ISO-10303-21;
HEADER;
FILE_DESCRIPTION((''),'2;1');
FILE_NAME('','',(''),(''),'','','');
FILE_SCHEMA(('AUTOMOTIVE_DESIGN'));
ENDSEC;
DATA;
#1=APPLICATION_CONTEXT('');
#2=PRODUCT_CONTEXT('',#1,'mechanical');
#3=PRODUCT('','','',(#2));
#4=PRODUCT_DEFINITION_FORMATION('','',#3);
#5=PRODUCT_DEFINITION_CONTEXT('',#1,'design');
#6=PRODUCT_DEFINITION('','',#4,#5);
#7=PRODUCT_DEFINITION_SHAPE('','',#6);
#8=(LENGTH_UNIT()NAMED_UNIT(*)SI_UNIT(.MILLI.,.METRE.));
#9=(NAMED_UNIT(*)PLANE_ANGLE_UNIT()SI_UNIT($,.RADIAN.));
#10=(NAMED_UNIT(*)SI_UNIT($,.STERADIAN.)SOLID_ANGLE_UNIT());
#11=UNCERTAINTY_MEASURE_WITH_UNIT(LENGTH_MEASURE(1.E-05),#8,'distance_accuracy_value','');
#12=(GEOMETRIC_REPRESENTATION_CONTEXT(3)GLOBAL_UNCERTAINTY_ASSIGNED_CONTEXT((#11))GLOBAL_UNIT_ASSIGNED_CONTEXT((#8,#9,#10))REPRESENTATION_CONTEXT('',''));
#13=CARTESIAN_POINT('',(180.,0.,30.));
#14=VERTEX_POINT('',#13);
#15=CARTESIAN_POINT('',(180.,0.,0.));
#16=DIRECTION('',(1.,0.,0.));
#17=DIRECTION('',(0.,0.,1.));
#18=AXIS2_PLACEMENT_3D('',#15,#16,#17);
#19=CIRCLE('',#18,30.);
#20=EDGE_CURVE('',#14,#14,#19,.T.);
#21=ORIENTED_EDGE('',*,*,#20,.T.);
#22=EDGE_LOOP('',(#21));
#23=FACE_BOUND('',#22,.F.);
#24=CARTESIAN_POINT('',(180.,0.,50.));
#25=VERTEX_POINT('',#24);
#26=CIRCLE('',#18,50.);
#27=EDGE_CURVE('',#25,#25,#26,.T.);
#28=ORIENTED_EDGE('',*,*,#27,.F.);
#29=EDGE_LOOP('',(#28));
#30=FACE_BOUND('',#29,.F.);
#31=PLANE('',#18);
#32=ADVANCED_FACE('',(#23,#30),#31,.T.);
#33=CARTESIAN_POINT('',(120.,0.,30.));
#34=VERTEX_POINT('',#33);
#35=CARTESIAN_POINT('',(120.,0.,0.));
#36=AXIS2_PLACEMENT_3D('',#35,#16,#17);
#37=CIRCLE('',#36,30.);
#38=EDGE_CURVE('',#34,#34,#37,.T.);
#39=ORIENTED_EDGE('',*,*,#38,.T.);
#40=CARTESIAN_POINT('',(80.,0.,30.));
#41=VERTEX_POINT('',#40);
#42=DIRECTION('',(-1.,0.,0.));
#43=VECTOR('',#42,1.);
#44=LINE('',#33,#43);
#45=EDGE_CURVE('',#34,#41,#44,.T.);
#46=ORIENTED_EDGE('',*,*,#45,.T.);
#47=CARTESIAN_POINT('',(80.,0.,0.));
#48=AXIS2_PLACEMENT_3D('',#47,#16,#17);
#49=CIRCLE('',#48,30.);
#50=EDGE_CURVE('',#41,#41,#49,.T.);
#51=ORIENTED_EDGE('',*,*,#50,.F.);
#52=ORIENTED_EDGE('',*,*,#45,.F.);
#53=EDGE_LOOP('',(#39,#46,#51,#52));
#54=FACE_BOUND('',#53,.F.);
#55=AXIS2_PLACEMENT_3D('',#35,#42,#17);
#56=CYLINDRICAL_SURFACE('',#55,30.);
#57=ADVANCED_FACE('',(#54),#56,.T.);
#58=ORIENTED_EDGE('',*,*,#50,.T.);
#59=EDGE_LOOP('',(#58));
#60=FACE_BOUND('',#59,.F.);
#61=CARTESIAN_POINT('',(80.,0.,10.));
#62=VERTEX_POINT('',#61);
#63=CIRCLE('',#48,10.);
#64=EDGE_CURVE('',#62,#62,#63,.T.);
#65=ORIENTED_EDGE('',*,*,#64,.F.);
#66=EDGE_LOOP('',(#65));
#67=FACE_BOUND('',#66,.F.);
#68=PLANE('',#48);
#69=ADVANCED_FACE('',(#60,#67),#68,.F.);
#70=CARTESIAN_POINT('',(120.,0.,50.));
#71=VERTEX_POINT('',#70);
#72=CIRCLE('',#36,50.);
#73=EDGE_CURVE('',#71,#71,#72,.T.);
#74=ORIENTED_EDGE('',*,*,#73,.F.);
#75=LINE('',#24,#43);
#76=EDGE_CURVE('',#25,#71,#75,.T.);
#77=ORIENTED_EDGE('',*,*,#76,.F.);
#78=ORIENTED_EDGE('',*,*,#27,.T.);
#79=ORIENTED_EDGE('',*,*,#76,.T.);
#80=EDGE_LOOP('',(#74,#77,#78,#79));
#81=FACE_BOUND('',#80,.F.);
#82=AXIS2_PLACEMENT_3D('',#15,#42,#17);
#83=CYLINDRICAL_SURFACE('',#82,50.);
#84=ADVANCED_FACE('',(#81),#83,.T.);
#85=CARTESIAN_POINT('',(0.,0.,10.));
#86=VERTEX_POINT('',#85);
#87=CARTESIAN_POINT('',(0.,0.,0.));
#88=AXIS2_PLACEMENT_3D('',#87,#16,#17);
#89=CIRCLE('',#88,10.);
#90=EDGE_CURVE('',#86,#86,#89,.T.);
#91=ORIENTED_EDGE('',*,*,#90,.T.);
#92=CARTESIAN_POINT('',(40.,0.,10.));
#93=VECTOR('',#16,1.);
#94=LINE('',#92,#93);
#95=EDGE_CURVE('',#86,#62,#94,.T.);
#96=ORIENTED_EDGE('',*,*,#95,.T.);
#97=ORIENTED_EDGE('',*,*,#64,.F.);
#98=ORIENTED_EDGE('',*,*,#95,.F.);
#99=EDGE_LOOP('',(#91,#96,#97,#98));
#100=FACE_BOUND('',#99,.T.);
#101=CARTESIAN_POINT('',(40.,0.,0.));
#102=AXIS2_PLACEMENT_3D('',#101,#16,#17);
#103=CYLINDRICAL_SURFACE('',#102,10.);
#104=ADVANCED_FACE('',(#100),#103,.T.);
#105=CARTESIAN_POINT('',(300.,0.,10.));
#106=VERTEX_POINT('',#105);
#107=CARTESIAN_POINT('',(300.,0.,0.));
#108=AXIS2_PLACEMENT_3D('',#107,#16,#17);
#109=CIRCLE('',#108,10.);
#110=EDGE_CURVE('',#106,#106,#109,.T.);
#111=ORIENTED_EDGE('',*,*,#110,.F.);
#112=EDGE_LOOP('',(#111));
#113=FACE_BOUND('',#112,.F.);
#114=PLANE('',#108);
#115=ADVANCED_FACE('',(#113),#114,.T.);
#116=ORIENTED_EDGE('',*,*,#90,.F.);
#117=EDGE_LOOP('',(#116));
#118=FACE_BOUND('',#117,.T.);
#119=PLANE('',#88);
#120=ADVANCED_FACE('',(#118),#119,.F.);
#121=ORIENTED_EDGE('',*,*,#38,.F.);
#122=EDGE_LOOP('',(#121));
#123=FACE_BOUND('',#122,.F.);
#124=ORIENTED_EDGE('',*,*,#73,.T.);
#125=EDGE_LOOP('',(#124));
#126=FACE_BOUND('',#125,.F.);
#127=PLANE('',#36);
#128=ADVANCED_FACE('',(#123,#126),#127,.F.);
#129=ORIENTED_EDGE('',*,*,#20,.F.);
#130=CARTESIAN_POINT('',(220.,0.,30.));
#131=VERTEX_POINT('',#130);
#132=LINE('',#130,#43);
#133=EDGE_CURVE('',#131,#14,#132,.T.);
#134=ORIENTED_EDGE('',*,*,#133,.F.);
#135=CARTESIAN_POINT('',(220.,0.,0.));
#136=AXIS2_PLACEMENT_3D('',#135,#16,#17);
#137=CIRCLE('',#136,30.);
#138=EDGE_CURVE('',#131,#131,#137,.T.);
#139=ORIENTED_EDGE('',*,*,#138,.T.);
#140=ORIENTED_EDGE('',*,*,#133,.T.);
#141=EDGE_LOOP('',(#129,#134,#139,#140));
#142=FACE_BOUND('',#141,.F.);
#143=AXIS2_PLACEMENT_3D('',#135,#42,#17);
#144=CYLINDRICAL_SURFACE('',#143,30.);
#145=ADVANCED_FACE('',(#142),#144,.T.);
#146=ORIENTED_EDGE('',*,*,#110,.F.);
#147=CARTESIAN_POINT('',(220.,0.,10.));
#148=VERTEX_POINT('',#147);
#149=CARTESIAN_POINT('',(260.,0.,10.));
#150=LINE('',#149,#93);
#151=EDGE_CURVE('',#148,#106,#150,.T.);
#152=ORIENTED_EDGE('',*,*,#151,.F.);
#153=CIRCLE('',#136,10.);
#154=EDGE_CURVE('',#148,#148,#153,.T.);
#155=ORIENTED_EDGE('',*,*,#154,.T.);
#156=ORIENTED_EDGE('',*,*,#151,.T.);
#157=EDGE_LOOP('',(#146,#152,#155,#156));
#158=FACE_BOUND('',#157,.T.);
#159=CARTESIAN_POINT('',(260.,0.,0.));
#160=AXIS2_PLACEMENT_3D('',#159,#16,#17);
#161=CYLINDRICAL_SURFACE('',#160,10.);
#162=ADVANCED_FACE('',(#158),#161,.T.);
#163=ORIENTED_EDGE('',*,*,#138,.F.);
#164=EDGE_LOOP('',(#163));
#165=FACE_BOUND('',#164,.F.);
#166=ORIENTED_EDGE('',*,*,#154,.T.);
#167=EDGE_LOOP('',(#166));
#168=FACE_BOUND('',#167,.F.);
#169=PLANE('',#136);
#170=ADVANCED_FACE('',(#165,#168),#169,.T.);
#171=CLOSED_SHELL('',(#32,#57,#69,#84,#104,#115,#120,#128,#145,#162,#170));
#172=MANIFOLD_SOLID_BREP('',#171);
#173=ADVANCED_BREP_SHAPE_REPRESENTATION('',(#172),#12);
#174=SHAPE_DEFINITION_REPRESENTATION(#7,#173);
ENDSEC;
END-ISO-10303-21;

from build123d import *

# Parameters (mm, degrees)
SKETCH1_W = 80
SKETCH1_H = 10


with BuildPart() as part:
    # Sketch1 → Revolve1 (revolve)
    with BuildSketch(Plane.XY, mode=Mode.PRIVATE) as revolve1_sk:
        with Locations((40, 5)):
            Rectangle(SKETCH1_W, SKETCH1_H)
        Polygon((80, 10), (80, 0), (120, 0), (120, 30), (80, 30), align=None)
        Polygon((120, 30), (120, 0), (180, 0), (180, 30), (180, 50), (120, 50), align=None)
        Polygon((180, 30), (180, 0), (220, 0), (220, 10), (220, 30), align=None)
        with Locations((260, 5)):
            Rectangle(SKETCH1_W, SKETCH1_H)
    revolve(revolve1_sk.sketch.rotate(Axis((0, 0, 0), (1, 0, 0)), 90), axis=Axis((0, 0, 0), (1, 0, 0)))  # turned: the seam where the file's is


solid = part.part
